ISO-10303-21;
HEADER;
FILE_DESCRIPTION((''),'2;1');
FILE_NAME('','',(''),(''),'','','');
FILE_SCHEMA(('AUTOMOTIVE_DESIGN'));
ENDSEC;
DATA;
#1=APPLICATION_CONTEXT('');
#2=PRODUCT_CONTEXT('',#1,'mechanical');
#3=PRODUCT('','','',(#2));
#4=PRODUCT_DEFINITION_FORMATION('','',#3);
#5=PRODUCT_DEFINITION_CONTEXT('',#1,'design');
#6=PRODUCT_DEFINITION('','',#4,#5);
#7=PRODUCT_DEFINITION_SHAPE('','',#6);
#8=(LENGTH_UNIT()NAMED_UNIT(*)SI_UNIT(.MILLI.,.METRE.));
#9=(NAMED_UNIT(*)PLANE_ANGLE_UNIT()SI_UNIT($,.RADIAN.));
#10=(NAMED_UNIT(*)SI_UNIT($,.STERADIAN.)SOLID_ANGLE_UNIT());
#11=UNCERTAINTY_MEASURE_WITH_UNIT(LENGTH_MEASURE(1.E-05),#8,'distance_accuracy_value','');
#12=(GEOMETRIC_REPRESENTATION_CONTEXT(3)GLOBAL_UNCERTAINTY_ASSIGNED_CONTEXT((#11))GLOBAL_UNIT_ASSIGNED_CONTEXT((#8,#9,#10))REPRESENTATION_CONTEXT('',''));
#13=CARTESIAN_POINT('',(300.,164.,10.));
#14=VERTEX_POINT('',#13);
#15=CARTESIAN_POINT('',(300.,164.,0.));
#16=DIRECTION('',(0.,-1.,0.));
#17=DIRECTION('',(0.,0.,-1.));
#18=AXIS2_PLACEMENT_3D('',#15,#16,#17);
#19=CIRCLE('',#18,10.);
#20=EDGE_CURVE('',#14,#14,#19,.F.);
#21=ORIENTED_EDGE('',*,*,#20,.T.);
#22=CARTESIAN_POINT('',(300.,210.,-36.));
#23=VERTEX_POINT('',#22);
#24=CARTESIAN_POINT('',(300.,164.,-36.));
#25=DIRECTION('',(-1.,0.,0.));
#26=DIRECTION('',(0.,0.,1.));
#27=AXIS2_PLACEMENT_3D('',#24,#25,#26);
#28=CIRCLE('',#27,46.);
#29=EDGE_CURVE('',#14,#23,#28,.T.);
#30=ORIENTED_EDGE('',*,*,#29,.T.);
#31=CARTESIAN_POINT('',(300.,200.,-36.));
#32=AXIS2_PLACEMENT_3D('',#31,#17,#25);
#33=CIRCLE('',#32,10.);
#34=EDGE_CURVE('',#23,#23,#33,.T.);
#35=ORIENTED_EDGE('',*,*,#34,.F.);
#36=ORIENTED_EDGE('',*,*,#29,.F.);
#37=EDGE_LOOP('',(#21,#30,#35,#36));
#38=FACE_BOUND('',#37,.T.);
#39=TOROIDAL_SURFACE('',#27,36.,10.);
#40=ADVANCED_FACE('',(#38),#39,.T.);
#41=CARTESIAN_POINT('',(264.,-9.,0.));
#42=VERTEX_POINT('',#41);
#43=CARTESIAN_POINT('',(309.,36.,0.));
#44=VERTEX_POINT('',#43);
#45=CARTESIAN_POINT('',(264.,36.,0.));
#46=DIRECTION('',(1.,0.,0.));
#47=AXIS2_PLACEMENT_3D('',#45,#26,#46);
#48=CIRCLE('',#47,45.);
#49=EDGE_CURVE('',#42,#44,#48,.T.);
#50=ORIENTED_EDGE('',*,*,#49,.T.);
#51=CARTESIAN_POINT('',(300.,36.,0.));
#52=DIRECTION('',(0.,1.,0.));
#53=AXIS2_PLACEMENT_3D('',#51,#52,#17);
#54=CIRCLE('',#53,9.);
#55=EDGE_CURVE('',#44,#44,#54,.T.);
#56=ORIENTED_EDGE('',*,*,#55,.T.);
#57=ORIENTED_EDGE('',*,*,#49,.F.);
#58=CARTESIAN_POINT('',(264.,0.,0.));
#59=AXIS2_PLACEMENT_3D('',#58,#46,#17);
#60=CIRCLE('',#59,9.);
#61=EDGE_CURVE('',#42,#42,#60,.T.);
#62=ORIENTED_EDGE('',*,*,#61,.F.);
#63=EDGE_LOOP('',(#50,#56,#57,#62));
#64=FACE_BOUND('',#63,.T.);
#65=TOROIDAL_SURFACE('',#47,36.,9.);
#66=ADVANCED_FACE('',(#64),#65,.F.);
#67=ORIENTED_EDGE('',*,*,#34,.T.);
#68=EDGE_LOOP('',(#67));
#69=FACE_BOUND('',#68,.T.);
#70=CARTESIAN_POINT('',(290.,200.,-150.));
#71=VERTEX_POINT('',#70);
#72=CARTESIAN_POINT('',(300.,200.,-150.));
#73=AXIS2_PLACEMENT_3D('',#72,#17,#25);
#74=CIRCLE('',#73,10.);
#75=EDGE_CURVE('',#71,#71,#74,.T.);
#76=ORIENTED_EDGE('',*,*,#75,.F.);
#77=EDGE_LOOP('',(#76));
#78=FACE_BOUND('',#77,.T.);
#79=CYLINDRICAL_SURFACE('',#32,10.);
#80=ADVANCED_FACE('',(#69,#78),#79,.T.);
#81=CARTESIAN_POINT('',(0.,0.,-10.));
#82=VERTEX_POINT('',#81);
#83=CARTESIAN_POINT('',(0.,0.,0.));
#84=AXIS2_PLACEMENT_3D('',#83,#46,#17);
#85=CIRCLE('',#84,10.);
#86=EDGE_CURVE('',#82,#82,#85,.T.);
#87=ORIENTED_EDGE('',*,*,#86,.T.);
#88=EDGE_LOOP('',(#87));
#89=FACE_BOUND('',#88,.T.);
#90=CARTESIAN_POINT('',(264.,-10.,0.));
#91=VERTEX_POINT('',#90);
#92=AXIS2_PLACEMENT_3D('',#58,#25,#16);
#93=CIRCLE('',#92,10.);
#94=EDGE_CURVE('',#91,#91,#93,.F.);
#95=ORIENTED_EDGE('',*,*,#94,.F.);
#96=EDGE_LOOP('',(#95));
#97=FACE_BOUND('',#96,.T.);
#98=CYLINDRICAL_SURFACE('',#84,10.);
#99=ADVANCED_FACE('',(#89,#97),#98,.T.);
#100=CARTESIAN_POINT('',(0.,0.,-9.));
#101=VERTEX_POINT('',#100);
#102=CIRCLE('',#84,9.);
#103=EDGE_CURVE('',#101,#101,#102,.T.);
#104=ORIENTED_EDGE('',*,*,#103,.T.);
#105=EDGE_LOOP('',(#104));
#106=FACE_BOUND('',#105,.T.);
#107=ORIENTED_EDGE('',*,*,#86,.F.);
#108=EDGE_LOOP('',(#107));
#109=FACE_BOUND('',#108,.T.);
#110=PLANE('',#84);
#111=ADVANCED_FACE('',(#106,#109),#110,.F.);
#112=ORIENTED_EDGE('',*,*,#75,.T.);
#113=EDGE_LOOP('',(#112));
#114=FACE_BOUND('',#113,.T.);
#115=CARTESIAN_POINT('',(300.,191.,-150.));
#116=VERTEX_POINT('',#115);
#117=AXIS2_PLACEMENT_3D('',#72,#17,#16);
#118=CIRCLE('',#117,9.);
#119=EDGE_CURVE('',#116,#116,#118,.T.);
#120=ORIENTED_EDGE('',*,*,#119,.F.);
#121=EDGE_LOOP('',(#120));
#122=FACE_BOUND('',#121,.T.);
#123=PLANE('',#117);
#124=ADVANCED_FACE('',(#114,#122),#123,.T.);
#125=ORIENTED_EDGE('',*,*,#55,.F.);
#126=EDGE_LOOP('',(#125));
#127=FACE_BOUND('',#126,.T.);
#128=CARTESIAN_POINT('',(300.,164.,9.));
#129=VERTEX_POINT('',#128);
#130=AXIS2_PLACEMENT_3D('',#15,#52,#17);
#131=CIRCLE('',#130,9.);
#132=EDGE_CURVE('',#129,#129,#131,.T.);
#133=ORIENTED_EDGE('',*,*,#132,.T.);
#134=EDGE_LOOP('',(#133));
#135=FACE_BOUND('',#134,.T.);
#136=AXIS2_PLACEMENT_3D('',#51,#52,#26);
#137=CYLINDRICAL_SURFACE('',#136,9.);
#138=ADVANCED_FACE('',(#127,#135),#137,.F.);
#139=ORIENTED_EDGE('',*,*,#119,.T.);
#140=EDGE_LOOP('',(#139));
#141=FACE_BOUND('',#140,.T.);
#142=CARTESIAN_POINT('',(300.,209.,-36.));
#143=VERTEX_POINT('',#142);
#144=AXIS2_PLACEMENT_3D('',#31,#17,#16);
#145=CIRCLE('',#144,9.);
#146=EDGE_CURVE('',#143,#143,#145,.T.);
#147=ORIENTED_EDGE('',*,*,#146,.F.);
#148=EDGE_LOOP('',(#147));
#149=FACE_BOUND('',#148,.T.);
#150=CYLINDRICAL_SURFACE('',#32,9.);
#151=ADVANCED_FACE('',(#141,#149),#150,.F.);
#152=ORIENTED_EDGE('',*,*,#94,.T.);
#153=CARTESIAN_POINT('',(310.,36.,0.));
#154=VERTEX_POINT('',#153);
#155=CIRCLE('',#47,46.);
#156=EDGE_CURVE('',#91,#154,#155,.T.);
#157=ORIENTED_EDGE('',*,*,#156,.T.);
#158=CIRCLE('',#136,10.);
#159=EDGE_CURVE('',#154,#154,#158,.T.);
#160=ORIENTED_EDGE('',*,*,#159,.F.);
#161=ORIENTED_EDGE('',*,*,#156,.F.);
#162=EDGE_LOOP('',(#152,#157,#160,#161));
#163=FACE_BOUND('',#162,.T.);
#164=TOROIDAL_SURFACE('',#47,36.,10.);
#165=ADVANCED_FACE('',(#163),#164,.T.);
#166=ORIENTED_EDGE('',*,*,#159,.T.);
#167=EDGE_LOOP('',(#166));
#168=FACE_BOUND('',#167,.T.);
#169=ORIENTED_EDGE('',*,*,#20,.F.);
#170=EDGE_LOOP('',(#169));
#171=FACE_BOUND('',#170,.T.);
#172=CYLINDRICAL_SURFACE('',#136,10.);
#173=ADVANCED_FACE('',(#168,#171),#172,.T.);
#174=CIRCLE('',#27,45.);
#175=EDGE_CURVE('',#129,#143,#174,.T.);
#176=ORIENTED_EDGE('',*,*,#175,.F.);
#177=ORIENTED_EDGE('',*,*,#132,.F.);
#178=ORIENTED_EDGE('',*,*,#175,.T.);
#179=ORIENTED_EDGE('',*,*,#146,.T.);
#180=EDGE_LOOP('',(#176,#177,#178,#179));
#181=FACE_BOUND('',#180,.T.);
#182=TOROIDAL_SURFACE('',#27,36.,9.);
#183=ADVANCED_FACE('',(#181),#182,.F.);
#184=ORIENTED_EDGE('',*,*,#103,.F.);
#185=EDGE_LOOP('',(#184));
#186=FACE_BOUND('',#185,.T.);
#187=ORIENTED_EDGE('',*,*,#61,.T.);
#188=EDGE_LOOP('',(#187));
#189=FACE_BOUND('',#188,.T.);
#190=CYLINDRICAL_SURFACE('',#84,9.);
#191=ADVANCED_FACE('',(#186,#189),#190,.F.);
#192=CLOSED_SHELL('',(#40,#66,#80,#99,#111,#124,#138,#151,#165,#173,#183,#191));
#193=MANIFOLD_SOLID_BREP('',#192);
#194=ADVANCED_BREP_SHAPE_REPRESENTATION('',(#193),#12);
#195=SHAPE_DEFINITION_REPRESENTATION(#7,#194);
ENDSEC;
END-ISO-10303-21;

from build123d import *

# Parameters (mm, degrees)
SKIZZE1_R   = 10
SKIZZE1_R_2 = 9


with BuildPart() as part:
    # Austragung-Dünn1: sweep along a curve in space
    with BuildLine() as austragung_d_nn1_path:
        Line((0, 0, 0), (264, 0, 0))
        ThreePointArc((264, 0, 0), (289.455844123, 10.544155877, 0), (300, 36, 0))
        Line((300, 36, 0), (300, 164, 0))
        ThreePointArc((300, 164, 0), (300, 189.455844123, -10.544155877), (300, 200, -36))
        Line((300, 200, -36), (300, 200, -150))
    # Skizze1 → Austragung-Dünn1 (sweep)
    with BuildSketch(Plane(origin=(0, 0, 0), x_dir=(0, 0, -1), z_dir=(1, 0, 0))):
        Circle(SKIZZE1_R)
        Circle(SKIZZE1_R_2, mode=Mode.SUBTRACT)
    sweep(path=austragung_d_nn1_path.line)


solid = part.part
